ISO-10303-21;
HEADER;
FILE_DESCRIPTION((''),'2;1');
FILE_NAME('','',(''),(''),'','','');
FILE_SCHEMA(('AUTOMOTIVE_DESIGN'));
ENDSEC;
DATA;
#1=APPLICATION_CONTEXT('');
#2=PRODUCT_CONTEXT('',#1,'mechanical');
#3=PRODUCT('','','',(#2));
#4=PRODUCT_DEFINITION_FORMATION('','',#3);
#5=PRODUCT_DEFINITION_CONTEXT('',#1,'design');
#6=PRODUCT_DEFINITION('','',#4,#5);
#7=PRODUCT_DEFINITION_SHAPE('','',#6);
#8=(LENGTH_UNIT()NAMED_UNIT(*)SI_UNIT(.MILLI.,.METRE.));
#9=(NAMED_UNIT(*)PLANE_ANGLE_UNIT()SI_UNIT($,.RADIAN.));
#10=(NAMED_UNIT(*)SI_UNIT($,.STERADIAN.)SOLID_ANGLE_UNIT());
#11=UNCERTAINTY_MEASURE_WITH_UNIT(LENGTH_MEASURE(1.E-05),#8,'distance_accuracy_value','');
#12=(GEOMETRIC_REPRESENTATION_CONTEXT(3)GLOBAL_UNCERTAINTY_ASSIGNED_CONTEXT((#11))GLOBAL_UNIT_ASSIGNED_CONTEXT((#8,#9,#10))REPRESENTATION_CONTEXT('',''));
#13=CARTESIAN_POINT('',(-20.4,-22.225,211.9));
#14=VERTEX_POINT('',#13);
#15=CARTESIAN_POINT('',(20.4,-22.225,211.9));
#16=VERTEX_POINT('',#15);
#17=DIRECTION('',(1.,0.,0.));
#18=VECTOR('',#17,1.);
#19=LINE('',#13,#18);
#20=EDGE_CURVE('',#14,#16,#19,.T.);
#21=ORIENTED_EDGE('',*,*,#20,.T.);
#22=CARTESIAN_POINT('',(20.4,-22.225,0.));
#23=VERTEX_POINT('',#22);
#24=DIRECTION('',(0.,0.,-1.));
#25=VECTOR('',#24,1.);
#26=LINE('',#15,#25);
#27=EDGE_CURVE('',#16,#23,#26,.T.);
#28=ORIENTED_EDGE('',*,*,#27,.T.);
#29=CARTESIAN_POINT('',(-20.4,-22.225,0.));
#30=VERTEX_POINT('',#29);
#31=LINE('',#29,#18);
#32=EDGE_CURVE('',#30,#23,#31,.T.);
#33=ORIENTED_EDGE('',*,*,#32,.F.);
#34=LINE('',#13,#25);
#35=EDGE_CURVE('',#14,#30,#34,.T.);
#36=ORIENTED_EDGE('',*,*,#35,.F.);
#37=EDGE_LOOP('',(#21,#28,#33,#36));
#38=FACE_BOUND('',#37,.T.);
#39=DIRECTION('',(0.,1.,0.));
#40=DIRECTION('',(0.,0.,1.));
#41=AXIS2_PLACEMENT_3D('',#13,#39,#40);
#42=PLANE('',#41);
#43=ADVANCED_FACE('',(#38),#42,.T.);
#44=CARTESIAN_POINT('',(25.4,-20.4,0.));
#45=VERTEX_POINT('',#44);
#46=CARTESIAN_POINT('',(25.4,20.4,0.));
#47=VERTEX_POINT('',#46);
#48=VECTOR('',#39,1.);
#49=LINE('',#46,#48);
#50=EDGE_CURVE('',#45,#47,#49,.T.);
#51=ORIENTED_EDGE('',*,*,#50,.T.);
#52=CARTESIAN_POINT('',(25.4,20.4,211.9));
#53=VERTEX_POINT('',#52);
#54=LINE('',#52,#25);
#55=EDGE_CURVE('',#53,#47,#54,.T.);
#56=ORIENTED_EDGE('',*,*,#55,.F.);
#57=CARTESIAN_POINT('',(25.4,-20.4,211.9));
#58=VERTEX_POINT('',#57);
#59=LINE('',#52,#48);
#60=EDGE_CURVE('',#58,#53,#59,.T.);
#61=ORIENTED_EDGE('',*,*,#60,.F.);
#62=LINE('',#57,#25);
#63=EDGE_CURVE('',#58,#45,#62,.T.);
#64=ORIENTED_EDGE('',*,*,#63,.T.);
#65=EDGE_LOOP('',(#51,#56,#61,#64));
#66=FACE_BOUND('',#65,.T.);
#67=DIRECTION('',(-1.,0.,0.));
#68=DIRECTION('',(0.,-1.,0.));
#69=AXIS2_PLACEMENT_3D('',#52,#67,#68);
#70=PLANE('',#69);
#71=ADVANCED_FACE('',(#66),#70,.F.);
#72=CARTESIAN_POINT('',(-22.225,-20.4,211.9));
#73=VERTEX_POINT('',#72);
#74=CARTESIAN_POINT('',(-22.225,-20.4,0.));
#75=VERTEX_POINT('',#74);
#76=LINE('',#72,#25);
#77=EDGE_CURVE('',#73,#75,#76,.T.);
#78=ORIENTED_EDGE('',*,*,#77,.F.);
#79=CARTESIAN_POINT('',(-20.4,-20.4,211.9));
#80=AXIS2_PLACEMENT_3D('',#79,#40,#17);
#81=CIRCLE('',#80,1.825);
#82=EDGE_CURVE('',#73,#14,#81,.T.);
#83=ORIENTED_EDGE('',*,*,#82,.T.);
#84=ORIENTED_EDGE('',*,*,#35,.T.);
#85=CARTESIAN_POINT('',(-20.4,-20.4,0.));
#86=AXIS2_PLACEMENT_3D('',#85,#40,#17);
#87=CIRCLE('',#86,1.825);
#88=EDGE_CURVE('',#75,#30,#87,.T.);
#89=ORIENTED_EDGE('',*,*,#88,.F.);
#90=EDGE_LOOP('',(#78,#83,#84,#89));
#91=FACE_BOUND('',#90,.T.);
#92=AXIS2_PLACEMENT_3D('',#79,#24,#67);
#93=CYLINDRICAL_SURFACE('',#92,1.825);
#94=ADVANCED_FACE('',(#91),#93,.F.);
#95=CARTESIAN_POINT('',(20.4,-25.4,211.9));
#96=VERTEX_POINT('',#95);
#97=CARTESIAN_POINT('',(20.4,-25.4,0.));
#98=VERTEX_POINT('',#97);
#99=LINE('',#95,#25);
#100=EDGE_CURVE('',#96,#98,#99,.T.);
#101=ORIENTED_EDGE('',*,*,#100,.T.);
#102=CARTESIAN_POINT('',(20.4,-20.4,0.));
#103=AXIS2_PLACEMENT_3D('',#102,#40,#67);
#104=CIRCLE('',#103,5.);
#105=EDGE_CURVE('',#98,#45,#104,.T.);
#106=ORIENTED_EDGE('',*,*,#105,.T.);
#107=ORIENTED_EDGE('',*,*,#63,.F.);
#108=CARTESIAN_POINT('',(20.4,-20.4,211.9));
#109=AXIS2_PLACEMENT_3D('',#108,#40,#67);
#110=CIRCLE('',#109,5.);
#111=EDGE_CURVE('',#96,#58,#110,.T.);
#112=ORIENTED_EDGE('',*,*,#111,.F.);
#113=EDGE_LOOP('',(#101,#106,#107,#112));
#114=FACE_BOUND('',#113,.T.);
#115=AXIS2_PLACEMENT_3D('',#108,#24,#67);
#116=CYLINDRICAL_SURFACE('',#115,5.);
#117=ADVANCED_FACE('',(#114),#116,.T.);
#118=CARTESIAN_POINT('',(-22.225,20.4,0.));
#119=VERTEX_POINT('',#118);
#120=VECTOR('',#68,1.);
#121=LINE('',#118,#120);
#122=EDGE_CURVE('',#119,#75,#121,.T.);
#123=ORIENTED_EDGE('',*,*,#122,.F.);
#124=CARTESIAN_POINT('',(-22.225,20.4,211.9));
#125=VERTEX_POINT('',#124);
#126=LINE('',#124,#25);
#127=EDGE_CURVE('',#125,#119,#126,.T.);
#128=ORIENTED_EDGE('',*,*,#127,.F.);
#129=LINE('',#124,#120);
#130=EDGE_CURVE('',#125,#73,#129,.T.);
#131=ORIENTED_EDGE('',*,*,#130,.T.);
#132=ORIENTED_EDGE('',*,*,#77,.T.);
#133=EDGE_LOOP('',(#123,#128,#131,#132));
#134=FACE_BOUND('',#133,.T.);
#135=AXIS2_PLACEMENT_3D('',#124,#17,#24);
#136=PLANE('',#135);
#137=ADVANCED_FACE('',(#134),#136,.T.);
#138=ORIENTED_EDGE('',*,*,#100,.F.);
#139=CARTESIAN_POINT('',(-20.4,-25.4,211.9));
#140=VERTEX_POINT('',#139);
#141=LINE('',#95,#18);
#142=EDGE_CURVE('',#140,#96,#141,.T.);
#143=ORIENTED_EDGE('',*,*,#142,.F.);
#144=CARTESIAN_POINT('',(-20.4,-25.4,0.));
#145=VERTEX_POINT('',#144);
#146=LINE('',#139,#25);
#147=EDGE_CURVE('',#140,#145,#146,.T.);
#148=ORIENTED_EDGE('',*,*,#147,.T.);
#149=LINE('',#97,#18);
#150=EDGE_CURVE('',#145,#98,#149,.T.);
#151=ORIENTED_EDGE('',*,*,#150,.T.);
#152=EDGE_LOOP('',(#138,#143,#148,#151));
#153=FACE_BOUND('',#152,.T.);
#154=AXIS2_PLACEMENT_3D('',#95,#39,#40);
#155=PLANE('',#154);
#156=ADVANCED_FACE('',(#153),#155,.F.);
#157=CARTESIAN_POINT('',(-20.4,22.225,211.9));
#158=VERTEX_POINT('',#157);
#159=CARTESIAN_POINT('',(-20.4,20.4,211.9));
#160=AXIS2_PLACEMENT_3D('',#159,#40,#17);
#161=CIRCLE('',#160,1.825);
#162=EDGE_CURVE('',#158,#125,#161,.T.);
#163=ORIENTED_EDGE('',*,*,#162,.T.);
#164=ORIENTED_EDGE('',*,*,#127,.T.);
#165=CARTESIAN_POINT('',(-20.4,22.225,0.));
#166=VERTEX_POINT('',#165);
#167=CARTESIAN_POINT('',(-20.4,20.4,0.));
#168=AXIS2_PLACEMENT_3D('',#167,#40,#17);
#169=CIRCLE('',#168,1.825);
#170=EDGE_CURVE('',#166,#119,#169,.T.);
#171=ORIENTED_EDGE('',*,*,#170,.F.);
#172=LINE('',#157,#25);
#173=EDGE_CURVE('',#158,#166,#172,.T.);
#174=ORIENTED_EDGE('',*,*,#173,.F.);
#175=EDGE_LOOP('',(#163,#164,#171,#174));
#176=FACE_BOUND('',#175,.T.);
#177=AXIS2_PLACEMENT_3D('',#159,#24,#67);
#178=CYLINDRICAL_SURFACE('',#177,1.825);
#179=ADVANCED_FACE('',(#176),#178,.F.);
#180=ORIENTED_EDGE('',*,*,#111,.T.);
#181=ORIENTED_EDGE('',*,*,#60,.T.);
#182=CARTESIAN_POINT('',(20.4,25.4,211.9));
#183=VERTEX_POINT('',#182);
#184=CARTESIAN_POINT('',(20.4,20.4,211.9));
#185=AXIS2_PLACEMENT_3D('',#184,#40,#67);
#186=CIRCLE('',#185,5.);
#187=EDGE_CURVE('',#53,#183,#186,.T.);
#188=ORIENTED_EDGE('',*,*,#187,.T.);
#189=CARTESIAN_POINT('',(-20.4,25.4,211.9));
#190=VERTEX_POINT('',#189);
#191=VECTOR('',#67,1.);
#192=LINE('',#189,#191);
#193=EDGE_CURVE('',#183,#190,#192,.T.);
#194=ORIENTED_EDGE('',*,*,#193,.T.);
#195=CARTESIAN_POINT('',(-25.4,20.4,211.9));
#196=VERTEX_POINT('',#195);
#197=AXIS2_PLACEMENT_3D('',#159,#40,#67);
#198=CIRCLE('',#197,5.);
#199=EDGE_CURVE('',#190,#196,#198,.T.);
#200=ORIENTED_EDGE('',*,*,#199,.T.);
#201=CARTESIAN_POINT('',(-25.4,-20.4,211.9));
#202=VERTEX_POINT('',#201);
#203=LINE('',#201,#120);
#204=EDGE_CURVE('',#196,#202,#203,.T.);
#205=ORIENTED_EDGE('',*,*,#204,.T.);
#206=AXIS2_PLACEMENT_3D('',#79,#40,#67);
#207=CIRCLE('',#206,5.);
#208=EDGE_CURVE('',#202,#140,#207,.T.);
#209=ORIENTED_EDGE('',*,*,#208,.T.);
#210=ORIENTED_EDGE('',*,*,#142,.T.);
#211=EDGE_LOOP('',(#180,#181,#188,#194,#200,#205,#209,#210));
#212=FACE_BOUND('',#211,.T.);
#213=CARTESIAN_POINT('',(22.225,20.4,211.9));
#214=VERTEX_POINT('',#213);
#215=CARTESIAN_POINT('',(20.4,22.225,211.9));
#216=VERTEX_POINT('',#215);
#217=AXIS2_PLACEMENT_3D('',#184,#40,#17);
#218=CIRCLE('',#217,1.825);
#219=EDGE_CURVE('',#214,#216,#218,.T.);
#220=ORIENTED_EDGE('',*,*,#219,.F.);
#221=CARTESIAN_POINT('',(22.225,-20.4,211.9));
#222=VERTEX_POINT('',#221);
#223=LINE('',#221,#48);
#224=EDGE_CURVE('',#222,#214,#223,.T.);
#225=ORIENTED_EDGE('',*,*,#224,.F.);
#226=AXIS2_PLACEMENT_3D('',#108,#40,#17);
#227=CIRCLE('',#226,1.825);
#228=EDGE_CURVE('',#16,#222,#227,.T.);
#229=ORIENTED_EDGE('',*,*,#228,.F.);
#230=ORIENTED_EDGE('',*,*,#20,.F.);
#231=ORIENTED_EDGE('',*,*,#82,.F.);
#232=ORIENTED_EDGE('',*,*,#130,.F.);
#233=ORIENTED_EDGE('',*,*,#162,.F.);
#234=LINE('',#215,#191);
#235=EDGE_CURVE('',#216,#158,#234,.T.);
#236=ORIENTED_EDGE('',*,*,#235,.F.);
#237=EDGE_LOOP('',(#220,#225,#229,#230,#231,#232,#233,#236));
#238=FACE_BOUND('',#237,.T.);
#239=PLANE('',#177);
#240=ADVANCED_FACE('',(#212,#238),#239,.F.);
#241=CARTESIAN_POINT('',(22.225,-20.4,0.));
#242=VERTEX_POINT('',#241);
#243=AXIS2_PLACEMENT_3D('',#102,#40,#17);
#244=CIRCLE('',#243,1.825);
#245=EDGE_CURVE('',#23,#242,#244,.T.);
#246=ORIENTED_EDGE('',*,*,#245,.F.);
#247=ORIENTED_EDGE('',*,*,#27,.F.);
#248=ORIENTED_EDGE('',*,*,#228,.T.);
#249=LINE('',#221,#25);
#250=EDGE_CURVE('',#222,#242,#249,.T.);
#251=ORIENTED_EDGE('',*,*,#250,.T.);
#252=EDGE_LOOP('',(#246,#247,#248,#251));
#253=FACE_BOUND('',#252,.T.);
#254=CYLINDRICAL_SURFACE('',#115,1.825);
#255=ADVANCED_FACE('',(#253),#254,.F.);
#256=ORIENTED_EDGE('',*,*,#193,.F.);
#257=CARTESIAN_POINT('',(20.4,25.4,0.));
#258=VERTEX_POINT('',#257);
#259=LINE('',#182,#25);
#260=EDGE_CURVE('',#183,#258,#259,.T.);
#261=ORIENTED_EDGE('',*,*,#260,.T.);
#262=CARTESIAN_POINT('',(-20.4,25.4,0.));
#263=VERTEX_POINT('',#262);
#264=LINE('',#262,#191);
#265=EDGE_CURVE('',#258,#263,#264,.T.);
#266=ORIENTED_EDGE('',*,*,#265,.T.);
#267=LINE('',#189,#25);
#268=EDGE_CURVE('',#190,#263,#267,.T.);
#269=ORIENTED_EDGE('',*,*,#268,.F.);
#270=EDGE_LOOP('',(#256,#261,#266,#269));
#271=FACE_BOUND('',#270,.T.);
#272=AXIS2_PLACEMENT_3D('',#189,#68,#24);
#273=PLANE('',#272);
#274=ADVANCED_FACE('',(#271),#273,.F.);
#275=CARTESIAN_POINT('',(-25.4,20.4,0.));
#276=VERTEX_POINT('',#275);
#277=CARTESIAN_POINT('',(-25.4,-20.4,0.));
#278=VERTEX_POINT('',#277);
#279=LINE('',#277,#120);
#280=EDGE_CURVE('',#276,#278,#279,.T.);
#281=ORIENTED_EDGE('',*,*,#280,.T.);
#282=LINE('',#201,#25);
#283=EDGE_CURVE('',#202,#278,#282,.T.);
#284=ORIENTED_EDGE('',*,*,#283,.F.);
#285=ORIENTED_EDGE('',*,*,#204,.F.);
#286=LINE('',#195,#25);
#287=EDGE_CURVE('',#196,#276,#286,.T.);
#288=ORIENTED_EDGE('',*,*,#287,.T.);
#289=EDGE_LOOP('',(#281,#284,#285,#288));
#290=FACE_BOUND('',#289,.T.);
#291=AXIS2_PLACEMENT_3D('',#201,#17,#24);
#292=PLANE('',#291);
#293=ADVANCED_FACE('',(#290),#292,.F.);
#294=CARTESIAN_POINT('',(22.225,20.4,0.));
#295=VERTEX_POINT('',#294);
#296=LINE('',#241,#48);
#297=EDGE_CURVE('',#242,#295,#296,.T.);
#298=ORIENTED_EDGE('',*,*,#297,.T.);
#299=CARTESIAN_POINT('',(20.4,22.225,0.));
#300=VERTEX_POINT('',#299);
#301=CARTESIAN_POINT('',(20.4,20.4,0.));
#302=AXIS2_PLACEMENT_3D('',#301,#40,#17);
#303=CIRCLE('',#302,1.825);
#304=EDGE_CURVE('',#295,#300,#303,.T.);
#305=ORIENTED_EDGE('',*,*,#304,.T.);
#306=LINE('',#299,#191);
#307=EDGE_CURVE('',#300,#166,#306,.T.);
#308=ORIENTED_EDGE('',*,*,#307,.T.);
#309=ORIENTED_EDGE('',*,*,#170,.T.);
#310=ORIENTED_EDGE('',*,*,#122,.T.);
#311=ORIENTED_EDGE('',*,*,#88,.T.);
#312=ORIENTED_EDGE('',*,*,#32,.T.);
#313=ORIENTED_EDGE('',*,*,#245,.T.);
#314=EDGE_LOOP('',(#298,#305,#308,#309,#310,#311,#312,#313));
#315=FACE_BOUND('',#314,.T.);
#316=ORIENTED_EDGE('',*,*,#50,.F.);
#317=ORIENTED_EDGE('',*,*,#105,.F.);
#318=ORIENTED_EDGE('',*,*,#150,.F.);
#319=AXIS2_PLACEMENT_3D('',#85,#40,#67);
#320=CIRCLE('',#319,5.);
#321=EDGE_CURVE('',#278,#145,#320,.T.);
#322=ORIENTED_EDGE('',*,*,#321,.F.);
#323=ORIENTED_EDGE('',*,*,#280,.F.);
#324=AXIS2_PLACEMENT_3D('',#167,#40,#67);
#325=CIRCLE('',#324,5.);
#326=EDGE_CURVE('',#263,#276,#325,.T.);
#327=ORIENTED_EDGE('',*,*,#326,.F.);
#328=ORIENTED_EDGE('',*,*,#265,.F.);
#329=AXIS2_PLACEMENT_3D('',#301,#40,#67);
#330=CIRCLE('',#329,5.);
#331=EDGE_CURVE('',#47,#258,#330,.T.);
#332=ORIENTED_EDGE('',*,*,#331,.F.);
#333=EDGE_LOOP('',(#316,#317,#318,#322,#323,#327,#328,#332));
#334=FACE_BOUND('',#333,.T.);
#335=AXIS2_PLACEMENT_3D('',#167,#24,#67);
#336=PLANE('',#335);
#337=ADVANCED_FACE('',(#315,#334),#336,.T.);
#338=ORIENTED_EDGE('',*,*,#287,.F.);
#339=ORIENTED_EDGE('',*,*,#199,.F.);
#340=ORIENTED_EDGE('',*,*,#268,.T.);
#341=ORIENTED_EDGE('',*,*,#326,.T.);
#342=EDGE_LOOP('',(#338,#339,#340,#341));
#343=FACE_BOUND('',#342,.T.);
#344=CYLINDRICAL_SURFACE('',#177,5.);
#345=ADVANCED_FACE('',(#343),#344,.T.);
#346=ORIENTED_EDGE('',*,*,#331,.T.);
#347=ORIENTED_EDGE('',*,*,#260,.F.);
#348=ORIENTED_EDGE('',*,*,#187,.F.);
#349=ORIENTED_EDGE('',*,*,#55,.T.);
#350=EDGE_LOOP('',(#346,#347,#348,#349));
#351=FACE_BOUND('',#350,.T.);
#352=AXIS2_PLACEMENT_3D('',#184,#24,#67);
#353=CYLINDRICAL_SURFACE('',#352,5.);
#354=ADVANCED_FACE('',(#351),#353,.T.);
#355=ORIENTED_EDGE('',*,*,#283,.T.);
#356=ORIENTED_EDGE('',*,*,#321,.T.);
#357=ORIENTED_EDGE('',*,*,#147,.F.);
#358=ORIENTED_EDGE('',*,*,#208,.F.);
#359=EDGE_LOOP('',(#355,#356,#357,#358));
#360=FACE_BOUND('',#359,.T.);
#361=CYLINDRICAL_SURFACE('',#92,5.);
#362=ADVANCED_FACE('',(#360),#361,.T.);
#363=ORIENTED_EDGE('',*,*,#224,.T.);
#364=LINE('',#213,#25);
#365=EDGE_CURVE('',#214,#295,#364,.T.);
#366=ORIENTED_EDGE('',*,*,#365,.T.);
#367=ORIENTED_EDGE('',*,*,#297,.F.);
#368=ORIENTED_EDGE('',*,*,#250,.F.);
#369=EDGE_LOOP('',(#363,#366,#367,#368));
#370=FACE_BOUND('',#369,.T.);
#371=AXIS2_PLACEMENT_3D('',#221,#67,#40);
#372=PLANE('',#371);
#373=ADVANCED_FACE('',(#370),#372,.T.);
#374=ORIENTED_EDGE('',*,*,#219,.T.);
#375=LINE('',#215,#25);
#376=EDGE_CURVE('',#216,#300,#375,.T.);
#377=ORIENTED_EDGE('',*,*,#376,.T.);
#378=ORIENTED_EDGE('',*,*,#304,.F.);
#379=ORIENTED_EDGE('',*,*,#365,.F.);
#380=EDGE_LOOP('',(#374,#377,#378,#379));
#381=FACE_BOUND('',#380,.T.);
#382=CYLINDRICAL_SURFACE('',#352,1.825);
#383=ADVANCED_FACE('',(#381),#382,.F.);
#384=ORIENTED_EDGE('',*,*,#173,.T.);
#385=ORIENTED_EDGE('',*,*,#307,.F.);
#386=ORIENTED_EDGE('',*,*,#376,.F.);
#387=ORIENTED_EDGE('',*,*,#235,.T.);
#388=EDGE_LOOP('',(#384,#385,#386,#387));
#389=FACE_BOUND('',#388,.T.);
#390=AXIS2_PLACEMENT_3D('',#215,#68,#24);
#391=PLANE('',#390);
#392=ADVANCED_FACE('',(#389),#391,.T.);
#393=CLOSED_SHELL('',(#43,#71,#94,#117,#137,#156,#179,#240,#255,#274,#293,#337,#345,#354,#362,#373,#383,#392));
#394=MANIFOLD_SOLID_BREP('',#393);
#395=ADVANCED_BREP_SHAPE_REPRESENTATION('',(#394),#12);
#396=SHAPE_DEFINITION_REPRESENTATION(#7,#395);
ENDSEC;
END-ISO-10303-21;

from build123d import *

# Parameters (mm, degrees)
BOSS_EXTRUDE1_DEPTH = 211.9


with BuildPart() as part:
    # Sketch1 → Boss-Extrude1 (new body)
    with BuildSketch(Plane.XY):
        with BuildLine():
            Line((-20.4, 25.4), (20.4, 25.4))
            ThreePointArc((20.4, 25.4), (23.935533906, 23.935533906), (25.4, 20.4))
            Line((25.4, 20.4), (25.4, -20.4))
            ThreePointArc((25.4, -20.4), (23.935533906, -23.935533906), (20.4, -25.4))
            Line((20.4, -25.4), (-20.4, -25.4))
            ThreePointArc((-20.4, -25.4), (-23.935533906, -23.935533906), (-25.4, -20.4))
            Line((-25.4, -20.4), (-25.4, 20.4))
            ThreePointArc((-25.4, 20.4), (-23.935533906, 23.935533906), (-20.4, 25.4))
        make_face()
        with BuildLine():
            Line((-22.225, 20.4), (-22.225, -20.4))
            ThreePointArc((-22.225, -20.4), (-21.690469876, -21.690469876), (-20.4, -22.225))
            Line((-20.4, -22.225), (20.4, -22.225))
            ThreePointArc((20.4, -22.225), (21.690469876, -21.690469876), (22.225, -20.4))
            Line((22.225, -20.4), (22.225, 20.4))
            ThreePointArc((22.225, 20.4), (21.690469876, 21.690469876), (20.4, 22.225))
            Line((20.4, 22.225), (-20.4, 22.225))
            ThreePointArc((-20.4, 22.225), (-21.690469876, 21.690469876), (-22.225, 20.4))
        make_face(mode=Mode.SUBTRACT)
    extrude(amount=BOSS_EXTRUDE1_DEPTH)


solid = part.part
